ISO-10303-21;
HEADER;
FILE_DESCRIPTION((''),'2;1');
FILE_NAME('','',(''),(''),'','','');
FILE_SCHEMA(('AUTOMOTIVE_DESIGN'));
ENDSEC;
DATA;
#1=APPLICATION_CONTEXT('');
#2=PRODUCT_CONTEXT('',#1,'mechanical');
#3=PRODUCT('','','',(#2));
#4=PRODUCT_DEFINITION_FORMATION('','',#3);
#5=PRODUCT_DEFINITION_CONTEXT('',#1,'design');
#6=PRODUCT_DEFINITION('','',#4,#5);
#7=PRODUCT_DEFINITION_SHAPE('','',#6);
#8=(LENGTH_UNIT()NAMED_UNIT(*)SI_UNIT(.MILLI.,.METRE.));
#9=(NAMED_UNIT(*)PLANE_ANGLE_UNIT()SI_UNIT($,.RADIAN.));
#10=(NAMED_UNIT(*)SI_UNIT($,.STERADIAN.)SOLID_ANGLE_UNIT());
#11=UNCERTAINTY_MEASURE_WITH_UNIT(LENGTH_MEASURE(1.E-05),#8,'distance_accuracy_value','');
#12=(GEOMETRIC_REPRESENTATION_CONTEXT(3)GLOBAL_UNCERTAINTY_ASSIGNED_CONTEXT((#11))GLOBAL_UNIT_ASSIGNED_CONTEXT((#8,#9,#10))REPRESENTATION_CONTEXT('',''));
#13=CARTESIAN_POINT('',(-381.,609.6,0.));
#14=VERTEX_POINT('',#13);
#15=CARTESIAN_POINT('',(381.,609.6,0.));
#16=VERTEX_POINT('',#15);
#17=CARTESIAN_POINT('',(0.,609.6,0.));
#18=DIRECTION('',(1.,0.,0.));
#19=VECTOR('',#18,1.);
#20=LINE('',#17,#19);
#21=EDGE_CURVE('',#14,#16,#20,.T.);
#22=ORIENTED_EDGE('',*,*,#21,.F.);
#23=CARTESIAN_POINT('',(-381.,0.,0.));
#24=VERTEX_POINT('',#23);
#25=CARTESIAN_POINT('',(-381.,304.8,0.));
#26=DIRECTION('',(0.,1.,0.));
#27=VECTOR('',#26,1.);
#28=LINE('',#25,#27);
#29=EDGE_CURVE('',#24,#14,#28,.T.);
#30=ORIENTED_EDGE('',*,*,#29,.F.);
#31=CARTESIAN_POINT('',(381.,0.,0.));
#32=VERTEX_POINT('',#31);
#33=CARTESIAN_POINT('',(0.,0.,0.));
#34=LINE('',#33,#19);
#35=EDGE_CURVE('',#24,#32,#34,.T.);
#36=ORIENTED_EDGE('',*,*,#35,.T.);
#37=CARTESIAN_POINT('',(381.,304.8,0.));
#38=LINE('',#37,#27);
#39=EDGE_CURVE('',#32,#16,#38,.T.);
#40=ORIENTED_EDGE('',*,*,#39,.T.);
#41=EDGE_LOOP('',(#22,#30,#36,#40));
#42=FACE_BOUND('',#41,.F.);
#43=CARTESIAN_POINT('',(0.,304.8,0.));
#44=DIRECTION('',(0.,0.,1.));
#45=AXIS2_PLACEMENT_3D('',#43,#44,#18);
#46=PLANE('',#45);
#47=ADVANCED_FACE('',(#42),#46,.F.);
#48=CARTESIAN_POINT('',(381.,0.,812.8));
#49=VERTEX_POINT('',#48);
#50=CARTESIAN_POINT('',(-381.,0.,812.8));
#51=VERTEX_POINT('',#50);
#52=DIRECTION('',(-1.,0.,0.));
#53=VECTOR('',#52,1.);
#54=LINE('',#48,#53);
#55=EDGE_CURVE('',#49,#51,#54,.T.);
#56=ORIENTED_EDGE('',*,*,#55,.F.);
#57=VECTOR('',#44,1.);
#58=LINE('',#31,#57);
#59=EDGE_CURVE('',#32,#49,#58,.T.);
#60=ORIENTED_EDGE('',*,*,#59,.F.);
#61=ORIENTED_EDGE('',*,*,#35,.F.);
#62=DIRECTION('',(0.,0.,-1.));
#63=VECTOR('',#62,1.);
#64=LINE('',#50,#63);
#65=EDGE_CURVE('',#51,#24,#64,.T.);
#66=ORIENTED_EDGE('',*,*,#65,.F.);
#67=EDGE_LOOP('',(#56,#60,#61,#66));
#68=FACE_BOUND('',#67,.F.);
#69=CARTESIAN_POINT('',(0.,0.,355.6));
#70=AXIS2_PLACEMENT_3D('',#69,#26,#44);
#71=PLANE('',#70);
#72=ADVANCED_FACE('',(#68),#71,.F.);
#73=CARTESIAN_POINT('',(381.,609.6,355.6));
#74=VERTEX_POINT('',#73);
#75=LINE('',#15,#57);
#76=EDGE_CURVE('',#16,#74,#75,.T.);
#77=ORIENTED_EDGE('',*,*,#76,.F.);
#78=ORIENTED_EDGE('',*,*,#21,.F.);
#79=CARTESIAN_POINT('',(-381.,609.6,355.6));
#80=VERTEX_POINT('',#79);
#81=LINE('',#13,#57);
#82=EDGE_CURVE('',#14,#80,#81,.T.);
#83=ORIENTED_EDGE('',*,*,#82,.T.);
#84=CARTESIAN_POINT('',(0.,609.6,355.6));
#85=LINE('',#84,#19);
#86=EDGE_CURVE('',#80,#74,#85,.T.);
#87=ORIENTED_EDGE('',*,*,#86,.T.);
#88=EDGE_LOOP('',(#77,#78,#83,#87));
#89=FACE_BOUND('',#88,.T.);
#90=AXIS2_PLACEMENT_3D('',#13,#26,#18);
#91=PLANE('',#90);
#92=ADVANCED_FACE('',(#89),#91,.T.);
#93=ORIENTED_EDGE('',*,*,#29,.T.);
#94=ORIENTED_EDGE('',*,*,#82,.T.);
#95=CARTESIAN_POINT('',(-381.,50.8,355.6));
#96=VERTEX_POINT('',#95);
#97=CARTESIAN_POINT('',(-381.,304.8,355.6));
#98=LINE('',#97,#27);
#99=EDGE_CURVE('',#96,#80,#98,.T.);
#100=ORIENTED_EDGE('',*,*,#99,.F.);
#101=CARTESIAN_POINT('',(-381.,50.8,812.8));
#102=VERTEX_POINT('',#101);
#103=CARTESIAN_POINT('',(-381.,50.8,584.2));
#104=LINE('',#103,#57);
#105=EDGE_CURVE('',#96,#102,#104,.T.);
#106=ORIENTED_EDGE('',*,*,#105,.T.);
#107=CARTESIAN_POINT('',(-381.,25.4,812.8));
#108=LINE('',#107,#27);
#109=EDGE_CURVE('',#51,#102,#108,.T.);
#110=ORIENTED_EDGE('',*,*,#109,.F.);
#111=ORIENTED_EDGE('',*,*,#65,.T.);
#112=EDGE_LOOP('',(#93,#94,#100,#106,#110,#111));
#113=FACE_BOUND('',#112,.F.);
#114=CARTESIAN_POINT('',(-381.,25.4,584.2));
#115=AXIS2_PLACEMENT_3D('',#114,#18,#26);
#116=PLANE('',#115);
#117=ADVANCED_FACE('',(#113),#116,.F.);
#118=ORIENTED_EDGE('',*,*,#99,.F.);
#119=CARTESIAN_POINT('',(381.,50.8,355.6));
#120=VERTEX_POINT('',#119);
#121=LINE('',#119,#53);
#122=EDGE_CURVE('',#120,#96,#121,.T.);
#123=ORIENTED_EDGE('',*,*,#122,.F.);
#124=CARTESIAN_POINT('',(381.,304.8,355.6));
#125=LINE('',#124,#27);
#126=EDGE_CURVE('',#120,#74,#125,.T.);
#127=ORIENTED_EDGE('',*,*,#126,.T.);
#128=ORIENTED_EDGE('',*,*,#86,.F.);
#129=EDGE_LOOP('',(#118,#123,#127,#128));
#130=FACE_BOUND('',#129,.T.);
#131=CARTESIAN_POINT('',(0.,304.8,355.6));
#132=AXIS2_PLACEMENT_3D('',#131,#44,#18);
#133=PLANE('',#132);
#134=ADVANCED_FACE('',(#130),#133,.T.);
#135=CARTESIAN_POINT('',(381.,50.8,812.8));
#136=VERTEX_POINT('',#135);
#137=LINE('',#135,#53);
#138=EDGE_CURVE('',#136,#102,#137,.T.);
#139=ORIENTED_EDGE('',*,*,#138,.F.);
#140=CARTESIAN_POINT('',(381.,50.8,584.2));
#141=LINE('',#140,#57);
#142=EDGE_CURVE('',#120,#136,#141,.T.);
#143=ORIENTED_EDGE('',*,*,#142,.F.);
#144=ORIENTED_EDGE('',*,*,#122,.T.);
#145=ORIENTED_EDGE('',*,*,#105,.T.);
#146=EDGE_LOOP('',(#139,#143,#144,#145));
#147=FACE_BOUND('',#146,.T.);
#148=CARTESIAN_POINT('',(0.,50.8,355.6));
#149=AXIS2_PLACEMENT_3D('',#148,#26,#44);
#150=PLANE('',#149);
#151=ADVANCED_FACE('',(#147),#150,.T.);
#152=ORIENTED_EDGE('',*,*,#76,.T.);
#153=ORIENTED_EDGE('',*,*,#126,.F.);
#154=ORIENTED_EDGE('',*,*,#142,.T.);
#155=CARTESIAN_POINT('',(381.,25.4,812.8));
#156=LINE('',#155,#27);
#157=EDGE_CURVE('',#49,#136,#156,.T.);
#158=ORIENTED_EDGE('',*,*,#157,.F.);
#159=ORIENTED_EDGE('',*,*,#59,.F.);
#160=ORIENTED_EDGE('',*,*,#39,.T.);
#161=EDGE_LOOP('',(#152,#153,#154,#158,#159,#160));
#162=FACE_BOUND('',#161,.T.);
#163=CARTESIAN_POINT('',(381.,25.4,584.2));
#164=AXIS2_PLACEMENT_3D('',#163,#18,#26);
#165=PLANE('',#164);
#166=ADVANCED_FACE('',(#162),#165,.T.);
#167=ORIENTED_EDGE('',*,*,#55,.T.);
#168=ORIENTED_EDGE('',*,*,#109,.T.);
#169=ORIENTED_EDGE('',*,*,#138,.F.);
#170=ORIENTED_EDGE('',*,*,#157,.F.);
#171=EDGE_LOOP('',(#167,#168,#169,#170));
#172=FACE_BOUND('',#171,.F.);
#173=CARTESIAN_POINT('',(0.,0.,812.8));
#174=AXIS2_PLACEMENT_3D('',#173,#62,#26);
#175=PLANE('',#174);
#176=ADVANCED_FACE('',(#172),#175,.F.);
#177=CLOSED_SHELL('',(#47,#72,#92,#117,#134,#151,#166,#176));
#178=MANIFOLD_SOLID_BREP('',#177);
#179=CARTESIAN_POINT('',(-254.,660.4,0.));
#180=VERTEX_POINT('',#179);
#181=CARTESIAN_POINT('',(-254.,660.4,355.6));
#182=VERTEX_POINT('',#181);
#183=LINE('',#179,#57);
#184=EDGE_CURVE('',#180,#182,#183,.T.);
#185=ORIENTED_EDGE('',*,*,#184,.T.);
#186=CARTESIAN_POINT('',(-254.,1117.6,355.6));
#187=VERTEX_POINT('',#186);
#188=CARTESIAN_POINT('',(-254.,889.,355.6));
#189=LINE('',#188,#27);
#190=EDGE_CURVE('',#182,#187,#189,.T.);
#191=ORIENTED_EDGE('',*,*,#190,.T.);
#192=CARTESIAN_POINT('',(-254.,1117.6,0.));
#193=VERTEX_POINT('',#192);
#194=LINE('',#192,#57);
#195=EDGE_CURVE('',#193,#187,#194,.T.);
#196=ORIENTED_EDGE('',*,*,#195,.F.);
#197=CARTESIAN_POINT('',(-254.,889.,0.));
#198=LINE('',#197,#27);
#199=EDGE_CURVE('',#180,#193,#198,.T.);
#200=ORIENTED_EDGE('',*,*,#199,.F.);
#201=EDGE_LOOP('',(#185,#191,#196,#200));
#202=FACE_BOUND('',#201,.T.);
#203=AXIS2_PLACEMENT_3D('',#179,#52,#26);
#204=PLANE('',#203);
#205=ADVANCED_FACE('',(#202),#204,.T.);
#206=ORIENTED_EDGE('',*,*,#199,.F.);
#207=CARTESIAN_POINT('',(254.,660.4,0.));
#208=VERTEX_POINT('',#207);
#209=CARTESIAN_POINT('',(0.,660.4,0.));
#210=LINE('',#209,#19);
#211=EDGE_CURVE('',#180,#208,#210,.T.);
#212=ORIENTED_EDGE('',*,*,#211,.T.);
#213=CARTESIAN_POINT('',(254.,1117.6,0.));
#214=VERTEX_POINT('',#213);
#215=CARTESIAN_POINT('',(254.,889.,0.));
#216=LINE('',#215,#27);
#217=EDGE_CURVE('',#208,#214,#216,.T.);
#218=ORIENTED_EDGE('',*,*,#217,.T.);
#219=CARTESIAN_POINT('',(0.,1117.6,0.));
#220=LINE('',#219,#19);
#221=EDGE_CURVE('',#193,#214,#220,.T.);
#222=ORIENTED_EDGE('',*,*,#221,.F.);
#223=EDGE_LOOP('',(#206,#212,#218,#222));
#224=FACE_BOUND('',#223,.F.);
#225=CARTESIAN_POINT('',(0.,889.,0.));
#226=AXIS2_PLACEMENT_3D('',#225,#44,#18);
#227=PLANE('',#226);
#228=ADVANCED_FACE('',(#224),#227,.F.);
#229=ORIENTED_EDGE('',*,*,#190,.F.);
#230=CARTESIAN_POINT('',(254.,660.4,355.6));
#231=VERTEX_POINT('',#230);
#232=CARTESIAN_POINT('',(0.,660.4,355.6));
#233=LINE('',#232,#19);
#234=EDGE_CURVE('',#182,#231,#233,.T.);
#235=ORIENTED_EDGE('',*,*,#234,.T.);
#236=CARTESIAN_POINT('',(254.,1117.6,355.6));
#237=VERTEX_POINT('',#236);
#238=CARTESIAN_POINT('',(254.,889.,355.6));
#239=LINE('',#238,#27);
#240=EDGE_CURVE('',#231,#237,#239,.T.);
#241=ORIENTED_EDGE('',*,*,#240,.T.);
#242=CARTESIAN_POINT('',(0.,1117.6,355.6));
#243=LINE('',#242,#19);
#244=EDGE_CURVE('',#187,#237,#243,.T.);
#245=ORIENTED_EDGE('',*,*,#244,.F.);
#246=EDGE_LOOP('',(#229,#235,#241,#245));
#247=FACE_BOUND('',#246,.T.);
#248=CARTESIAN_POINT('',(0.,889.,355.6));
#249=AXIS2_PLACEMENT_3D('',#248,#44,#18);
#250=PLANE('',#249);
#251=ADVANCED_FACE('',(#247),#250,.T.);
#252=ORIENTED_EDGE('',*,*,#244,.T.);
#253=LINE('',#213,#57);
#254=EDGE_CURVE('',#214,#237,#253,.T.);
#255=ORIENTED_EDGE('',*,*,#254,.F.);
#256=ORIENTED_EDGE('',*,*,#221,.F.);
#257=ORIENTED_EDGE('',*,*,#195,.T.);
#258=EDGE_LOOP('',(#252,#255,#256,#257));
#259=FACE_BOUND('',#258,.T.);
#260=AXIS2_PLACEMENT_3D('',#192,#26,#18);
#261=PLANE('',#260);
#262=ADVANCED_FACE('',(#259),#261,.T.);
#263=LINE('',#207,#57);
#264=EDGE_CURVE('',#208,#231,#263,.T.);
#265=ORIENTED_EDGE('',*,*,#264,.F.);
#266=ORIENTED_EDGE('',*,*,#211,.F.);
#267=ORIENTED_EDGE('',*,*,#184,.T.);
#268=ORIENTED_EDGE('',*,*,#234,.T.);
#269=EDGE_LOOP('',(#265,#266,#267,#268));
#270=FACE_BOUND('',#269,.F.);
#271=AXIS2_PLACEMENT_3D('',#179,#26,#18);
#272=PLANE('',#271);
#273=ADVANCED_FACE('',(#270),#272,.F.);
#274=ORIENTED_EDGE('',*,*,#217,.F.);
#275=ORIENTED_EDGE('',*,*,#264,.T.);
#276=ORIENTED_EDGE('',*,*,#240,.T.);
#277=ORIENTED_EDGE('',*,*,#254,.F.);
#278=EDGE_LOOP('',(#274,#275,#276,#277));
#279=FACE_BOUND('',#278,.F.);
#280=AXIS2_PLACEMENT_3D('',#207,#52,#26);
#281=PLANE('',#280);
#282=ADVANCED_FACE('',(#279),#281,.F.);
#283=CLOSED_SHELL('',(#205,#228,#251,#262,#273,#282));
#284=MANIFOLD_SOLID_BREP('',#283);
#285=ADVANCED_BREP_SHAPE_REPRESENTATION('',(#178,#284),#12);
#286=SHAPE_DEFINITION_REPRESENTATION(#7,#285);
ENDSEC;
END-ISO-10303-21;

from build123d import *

# Parameters (mm, degrees)
F0_W          = 762
F0_H          = 609.6
F0_W_2        = 508
F0_H_2        = 457.2
F1_DEPTH      = 355.6
F2_W          = 50.8
F2_H          = 457.2
F3_DEPTH      = 381
F3_DEPTH_BACK = 381


with BuildPart() as f1:
    # F0 (on Top) → F1 (new body)
    with BuildSketch(Plane.XY):
        with Locations((0, 304.8)):
            Rectangle(F0_W, F0_H)
        with Locations((0, 889)):
            Rectangle(F0_W_2, F0_H_2)
    extrude(amount=F1_DEPTH)

    # F2 (on Right) → F3 (join, two sides)
    with BuildSketch(Plane.YZ) as f3_sk:
        with Locations((25.4, 584.2)):
            Rectangle(F2_W, F2_H)
    extrude(amount=F3_DEPTH)
    extrude(f3_sk.sketch, amount=-F3_DEPTH_BACK)


solid = f1.part
